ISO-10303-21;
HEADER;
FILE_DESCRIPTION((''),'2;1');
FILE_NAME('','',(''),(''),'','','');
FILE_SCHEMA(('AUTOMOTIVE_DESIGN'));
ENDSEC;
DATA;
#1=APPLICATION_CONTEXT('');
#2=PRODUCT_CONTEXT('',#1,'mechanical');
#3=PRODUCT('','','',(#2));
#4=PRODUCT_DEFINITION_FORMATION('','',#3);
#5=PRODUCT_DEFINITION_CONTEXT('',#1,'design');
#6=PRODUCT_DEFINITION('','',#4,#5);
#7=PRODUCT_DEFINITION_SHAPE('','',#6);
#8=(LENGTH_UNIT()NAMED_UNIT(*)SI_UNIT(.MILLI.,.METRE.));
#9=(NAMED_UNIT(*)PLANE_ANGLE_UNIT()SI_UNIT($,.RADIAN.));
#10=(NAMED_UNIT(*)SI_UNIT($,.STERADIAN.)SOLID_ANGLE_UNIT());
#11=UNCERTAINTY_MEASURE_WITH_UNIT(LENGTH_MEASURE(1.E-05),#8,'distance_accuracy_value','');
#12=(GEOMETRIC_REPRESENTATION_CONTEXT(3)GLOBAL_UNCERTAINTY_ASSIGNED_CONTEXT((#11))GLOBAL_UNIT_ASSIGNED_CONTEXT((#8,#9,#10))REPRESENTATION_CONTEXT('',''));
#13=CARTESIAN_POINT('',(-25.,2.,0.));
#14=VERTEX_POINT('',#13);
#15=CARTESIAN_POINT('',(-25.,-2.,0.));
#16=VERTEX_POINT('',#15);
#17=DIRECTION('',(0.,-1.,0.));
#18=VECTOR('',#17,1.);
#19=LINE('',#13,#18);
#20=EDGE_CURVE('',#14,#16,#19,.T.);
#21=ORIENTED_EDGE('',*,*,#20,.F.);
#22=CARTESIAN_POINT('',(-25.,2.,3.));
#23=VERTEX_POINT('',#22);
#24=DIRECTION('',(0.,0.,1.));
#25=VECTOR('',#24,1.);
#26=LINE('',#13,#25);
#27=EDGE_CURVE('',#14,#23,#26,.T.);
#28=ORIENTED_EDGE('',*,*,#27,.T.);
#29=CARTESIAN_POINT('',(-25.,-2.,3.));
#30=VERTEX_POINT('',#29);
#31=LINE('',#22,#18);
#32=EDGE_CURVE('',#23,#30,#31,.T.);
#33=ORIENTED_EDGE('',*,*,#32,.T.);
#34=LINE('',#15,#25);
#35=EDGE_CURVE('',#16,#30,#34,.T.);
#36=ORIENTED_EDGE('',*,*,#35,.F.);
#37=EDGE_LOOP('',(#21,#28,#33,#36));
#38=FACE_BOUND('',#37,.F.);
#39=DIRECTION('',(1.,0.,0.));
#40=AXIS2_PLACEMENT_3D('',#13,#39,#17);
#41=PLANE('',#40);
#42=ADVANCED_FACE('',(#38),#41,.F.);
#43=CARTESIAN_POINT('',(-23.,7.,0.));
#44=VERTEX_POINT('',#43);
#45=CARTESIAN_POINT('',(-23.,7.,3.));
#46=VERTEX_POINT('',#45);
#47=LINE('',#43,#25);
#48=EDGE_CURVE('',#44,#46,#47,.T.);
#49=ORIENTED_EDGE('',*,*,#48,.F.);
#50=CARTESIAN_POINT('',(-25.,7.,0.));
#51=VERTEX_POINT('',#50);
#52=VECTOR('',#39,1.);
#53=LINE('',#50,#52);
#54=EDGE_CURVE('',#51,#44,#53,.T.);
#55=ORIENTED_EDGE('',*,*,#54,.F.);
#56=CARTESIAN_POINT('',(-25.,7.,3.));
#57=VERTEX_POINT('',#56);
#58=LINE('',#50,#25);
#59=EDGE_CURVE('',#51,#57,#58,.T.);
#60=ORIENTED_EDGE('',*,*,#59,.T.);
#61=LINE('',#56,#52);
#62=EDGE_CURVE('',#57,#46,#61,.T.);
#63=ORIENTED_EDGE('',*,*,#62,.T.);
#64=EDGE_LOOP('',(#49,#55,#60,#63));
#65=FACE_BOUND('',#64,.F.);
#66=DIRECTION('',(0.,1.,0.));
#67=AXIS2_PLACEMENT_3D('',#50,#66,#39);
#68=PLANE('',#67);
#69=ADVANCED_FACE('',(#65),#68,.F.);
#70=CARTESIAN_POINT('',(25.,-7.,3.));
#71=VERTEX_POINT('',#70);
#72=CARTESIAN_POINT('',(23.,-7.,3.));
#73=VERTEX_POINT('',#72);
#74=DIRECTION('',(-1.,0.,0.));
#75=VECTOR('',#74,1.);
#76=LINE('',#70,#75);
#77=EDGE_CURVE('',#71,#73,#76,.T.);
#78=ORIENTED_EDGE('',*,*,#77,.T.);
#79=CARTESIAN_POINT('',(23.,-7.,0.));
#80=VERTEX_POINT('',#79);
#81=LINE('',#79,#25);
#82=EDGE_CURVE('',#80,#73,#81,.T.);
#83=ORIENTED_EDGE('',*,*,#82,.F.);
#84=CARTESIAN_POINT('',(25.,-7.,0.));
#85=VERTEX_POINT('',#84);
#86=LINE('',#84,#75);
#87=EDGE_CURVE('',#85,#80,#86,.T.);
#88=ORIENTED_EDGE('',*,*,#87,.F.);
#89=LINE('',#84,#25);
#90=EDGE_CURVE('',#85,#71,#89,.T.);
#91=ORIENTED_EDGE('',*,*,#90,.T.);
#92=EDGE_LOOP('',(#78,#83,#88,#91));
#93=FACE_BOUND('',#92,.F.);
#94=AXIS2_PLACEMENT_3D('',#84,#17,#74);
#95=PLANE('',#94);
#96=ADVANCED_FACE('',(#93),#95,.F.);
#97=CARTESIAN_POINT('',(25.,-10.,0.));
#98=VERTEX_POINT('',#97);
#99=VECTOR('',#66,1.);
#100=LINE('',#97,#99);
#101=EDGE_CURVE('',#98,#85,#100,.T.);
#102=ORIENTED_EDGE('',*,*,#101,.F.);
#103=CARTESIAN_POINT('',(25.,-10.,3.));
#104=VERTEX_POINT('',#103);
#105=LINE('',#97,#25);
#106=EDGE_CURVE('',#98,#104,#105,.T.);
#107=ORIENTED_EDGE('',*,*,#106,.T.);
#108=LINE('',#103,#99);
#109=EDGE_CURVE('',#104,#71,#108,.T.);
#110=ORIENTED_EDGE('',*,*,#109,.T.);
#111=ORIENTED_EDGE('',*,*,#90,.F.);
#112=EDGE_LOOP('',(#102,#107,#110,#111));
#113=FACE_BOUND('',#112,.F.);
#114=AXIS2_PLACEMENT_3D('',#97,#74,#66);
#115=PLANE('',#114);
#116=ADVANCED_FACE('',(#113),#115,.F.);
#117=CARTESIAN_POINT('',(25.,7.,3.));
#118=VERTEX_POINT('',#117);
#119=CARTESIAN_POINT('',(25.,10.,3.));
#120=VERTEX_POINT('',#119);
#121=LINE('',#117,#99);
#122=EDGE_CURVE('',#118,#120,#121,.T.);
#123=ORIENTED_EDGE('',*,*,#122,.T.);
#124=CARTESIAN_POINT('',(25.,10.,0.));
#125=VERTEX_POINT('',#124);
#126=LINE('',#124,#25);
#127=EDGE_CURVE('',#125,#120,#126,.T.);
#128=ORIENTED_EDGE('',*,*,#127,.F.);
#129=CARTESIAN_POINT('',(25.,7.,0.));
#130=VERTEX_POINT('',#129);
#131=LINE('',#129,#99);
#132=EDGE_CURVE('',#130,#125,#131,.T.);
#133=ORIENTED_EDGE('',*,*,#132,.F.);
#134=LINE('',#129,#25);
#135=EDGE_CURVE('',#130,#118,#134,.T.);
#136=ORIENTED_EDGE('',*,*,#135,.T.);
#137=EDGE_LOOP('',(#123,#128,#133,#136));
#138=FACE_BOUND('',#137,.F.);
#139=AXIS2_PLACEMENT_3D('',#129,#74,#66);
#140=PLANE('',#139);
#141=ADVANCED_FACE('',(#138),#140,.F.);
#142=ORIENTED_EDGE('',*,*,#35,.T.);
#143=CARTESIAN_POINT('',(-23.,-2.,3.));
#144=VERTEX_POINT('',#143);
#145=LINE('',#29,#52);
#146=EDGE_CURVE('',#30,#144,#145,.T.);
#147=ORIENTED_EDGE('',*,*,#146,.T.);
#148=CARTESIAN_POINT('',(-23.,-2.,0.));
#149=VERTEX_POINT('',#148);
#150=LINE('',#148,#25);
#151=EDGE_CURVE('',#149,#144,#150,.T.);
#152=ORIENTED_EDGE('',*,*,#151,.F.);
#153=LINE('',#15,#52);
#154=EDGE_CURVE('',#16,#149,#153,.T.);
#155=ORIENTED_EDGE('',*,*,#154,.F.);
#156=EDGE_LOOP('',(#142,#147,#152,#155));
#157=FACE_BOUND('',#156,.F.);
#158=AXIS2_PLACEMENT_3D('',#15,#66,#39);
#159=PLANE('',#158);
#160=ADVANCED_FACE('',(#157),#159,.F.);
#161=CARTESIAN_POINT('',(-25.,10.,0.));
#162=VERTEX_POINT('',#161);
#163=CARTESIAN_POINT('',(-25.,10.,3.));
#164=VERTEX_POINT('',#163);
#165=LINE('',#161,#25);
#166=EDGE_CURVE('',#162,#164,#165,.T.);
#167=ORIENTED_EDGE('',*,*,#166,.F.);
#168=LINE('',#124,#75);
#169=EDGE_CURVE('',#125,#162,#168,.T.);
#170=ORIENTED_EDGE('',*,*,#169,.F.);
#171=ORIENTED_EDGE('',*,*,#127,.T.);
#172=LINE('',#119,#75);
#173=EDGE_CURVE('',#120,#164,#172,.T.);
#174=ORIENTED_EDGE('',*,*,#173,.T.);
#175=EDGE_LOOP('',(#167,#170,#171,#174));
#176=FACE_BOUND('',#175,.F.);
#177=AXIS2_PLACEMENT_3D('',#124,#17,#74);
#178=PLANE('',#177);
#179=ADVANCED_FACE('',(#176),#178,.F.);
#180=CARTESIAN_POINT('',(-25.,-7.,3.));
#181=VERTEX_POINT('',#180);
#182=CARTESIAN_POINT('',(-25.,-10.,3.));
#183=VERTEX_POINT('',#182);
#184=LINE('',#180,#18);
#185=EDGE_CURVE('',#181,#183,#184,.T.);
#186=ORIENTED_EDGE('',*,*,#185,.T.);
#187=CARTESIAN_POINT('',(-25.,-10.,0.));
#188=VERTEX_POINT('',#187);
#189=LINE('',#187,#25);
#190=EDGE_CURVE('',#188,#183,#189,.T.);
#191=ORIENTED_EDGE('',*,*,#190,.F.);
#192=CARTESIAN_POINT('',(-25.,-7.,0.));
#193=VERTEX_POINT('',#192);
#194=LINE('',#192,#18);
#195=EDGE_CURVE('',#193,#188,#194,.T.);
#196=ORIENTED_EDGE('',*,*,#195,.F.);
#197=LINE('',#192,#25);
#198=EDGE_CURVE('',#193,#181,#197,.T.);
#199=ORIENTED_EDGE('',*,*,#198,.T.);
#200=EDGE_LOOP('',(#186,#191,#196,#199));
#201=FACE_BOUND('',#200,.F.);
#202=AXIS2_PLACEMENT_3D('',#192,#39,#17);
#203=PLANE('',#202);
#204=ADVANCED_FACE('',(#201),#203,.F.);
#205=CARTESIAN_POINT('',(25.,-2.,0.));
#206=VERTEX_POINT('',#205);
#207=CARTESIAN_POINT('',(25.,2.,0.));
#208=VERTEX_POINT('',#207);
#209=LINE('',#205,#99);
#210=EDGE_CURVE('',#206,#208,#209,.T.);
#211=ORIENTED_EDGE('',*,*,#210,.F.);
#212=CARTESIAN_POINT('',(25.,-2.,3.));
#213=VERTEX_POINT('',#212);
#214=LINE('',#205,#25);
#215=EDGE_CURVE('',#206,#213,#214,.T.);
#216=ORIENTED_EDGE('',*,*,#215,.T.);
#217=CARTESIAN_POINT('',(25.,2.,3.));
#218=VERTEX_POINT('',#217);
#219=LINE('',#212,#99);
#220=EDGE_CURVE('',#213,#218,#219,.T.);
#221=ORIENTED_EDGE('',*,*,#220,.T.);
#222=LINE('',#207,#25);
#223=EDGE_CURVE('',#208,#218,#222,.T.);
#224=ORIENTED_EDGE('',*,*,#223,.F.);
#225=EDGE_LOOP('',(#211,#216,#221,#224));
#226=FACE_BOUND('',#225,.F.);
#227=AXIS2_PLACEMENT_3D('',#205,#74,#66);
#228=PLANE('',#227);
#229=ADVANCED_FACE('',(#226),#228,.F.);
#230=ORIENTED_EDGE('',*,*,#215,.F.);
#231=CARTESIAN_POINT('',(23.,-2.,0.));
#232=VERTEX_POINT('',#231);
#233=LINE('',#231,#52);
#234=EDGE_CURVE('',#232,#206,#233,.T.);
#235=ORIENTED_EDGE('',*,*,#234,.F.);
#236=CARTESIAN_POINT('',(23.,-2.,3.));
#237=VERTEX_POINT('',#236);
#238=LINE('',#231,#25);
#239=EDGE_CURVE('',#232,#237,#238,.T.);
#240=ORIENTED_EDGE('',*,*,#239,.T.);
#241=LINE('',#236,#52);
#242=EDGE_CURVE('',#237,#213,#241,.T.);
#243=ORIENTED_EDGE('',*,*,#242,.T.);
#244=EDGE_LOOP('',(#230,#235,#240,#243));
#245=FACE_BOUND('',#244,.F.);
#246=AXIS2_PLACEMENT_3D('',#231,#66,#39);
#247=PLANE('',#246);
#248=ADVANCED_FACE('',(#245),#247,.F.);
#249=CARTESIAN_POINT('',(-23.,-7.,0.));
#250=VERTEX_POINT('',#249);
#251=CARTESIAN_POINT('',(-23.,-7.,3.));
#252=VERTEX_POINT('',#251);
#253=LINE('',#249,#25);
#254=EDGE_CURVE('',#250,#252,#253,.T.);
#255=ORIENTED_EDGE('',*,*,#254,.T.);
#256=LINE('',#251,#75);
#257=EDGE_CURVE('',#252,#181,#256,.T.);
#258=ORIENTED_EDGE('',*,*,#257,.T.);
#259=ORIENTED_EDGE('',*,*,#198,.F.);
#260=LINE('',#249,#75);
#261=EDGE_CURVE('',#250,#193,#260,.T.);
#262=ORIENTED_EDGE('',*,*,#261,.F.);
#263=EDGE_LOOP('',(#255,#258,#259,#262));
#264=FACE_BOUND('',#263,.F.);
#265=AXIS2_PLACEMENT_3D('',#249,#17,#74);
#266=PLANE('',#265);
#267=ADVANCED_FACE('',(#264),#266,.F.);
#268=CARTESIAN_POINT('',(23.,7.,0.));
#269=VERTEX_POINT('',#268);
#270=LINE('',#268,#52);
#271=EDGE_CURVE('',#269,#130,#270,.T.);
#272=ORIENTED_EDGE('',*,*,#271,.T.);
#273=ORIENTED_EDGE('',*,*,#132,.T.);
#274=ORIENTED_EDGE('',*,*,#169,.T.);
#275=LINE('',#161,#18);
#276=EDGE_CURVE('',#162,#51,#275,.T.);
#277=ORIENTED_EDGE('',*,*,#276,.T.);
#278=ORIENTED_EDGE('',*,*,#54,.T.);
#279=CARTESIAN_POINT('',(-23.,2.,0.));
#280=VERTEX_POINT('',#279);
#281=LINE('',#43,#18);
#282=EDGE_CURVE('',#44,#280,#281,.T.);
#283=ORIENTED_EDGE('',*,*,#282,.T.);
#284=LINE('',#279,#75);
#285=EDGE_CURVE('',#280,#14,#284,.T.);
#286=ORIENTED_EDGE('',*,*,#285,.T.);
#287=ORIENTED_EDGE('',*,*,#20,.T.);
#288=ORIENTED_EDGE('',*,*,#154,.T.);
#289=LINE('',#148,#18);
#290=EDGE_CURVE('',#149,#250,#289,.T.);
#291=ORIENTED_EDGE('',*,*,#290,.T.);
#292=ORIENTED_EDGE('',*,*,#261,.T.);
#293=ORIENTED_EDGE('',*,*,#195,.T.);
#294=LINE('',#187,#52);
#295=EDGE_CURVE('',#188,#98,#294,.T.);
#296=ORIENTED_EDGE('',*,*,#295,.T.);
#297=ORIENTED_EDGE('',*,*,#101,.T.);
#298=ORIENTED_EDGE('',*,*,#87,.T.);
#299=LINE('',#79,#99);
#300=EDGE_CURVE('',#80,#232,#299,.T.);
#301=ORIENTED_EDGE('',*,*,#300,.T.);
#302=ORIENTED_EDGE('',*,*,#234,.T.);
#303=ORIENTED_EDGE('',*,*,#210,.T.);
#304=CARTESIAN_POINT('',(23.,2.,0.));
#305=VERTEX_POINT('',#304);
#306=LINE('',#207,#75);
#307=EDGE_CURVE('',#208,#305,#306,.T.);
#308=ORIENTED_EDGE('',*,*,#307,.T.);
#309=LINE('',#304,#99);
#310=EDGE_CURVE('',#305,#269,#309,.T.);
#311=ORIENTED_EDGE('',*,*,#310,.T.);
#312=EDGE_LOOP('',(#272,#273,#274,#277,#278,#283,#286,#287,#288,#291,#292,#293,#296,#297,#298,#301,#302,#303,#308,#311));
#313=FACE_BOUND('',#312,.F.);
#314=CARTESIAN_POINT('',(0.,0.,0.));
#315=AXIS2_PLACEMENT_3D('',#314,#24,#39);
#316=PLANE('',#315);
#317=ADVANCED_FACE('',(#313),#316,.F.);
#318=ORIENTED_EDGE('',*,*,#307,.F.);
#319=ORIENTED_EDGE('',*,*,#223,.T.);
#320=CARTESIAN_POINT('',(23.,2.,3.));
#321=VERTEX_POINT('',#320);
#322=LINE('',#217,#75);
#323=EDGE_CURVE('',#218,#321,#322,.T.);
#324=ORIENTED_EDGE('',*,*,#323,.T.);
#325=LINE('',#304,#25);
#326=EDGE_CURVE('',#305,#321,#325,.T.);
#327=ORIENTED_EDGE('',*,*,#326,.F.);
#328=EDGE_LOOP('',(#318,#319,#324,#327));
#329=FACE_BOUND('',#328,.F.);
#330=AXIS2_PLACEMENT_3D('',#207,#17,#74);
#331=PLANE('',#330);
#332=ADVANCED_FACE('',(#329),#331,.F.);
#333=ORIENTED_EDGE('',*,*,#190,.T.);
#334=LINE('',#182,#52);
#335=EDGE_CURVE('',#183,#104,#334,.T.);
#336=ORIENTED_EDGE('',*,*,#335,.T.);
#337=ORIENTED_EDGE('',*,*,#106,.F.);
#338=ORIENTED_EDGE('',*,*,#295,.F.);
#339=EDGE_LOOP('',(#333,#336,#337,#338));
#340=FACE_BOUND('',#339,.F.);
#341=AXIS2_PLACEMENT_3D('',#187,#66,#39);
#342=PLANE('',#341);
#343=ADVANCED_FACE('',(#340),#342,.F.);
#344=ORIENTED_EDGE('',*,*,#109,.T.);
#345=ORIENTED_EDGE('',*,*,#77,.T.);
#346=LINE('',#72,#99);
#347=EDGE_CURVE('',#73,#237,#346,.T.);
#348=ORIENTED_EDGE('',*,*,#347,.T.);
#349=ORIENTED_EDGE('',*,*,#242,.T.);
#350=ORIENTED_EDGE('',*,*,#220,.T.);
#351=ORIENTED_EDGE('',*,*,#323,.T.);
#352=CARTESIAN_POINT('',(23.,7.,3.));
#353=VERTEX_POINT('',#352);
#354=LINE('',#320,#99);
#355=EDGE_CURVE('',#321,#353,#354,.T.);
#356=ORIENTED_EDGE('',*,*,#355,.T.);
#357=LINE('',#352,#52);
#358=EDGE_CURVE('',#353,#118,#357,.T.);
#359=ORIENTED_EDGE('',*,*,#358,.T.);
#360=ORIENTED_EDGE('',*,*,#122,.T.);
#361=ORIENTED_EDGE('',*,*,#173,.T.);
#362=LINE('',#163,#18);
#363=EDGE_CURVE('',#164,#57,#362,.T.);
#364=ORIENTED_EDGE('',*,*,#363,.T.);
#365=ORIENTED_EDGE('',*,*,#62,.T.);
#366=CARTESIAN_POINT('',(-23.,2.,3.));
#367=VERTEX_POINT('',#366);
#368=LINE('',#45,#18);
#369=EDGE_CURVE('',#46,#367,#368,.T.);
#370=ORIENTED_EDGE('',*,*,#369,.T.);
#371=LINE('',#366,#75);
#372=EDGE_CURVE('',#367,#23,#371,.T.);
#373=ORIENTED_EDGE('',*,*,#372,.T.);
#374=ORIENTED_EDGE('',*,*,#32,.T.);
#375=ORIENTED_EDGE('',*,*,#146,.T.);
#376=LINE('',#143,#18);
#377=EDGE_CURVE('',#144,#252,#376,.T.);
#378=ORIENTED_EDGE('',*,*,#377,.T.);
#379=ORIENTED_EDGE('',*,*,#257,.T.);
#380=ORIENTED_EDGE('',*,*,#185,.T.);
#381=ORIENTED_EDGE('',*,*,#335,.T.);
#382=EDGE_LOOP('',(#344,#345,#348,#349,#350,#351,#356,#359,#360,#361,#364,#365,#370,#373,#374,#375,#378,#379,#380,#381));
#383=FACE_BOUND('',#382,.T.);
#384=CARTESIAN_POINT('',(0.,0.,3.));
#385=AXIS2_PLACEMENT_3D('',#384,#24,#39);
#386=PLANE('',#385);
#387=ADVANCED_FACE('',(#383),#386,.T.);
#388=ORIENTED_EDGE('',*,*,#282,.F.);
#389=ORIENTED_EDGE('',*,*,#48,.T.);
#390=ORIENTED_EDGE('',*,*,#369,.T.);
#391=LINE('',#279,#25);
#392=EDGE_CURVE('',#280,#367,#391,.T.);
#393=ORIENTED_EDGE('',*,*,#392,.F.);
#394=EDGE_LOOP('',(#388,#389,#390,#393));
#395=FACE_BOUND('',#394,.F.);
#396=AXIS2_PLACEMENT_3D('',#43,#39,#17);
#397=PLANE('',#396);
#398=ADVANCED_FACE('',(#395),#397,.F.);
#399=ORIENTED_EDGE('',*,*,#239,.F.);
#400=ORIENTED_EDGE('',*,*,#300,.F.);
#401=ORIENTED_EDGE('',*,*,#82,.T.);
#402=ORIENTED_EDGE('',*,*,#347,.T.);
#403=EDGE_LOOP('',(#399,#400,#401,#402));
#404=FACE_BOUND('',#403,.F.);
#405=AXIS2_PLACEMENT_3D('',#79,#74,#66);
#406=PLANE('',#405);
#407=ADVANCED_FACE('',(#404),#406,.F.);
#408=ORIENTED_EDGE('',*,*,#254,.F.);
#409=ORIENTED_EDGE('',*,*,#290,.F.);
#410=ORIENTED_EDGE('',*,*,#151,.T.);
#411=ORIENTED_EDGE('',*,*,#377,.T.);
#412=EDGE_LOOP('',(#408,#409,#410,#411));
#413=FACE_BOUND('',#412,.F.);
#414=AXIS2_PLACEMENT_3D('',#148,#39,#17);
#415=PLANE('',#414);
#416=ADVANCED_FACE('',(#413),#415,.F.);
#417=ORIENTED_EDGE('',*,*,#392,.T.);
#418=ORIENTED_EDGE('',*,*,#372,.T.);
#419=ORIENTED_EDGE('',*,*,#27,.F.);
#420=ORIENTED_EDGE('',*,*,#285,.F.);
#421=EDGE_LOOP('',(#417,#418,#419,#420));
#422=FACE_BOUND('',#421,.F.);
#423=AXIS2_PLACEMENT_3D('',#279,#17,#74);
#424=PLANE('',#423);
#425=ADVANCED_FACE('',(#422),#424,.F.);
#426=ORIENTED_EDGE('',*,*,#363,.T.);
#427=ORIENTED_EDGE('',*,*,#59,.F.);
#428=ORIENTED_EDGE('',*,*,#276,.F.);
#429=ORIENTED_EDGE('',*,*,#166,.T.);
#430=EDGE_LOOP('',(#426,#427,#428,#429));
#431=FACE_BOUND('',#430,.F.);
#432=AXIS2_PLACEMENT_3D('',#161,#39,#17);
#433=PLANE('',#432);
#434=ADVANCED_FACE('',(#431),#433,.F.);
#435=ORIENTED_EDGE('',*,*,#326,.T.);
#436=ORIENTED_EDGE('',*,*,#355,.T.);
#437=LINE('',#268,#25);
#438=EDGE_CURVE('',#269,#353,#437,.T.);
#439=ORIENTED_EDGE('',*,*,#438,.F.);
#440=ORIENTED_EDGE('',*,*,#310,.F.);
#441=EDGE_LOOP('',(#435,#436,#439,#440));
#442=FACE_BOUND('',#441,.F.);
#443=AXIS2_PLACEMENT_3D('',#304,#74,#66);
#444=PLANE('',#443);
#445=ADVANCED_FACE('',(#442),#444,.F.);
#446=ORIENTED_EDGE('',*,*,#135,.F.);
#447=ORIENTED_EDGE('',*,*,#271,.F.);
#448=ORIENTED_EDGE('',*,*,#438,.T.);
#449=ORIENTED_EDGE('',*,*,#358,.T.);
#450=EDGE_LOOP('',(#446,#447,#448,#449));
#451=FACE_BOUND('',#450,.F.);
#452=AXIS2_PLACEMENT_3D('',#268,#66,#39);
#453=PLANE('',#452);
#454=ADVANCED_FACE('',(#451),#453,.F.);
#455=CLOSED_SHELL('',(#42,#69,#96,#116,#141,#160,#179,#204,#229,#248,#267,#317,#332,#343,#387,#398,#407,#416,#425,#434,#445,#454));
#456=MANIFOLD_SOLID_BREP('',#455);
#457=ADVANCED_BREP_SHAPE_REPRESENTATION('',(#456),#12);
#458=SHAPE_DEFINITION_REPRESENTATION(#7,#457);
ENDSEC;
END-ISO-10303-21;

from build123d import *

# Parameters (mm, degrees)
F1_DEPTH = 3


with BuildPart() as f1:
    # F0 (on Top) → F1 (new body)
    with BuildSketch(Plane.XY):
        Polygon((25, 7), (25, 10), (-25, 10), (-25, 7), (-23, 7), (-23, 2), (-25, 2), (-25, 0), (-25, -2), (-23, -2), (-23, -7), (-25, -7), (-25, -10), (25, -10), (25, -7), (23, -7), (23, -2), (25, -2), (25, 0), (25, 2), (23, 2), (23, 7), align=None)
    extrude(amount=F1_DEPTH)


solid = f1.part
